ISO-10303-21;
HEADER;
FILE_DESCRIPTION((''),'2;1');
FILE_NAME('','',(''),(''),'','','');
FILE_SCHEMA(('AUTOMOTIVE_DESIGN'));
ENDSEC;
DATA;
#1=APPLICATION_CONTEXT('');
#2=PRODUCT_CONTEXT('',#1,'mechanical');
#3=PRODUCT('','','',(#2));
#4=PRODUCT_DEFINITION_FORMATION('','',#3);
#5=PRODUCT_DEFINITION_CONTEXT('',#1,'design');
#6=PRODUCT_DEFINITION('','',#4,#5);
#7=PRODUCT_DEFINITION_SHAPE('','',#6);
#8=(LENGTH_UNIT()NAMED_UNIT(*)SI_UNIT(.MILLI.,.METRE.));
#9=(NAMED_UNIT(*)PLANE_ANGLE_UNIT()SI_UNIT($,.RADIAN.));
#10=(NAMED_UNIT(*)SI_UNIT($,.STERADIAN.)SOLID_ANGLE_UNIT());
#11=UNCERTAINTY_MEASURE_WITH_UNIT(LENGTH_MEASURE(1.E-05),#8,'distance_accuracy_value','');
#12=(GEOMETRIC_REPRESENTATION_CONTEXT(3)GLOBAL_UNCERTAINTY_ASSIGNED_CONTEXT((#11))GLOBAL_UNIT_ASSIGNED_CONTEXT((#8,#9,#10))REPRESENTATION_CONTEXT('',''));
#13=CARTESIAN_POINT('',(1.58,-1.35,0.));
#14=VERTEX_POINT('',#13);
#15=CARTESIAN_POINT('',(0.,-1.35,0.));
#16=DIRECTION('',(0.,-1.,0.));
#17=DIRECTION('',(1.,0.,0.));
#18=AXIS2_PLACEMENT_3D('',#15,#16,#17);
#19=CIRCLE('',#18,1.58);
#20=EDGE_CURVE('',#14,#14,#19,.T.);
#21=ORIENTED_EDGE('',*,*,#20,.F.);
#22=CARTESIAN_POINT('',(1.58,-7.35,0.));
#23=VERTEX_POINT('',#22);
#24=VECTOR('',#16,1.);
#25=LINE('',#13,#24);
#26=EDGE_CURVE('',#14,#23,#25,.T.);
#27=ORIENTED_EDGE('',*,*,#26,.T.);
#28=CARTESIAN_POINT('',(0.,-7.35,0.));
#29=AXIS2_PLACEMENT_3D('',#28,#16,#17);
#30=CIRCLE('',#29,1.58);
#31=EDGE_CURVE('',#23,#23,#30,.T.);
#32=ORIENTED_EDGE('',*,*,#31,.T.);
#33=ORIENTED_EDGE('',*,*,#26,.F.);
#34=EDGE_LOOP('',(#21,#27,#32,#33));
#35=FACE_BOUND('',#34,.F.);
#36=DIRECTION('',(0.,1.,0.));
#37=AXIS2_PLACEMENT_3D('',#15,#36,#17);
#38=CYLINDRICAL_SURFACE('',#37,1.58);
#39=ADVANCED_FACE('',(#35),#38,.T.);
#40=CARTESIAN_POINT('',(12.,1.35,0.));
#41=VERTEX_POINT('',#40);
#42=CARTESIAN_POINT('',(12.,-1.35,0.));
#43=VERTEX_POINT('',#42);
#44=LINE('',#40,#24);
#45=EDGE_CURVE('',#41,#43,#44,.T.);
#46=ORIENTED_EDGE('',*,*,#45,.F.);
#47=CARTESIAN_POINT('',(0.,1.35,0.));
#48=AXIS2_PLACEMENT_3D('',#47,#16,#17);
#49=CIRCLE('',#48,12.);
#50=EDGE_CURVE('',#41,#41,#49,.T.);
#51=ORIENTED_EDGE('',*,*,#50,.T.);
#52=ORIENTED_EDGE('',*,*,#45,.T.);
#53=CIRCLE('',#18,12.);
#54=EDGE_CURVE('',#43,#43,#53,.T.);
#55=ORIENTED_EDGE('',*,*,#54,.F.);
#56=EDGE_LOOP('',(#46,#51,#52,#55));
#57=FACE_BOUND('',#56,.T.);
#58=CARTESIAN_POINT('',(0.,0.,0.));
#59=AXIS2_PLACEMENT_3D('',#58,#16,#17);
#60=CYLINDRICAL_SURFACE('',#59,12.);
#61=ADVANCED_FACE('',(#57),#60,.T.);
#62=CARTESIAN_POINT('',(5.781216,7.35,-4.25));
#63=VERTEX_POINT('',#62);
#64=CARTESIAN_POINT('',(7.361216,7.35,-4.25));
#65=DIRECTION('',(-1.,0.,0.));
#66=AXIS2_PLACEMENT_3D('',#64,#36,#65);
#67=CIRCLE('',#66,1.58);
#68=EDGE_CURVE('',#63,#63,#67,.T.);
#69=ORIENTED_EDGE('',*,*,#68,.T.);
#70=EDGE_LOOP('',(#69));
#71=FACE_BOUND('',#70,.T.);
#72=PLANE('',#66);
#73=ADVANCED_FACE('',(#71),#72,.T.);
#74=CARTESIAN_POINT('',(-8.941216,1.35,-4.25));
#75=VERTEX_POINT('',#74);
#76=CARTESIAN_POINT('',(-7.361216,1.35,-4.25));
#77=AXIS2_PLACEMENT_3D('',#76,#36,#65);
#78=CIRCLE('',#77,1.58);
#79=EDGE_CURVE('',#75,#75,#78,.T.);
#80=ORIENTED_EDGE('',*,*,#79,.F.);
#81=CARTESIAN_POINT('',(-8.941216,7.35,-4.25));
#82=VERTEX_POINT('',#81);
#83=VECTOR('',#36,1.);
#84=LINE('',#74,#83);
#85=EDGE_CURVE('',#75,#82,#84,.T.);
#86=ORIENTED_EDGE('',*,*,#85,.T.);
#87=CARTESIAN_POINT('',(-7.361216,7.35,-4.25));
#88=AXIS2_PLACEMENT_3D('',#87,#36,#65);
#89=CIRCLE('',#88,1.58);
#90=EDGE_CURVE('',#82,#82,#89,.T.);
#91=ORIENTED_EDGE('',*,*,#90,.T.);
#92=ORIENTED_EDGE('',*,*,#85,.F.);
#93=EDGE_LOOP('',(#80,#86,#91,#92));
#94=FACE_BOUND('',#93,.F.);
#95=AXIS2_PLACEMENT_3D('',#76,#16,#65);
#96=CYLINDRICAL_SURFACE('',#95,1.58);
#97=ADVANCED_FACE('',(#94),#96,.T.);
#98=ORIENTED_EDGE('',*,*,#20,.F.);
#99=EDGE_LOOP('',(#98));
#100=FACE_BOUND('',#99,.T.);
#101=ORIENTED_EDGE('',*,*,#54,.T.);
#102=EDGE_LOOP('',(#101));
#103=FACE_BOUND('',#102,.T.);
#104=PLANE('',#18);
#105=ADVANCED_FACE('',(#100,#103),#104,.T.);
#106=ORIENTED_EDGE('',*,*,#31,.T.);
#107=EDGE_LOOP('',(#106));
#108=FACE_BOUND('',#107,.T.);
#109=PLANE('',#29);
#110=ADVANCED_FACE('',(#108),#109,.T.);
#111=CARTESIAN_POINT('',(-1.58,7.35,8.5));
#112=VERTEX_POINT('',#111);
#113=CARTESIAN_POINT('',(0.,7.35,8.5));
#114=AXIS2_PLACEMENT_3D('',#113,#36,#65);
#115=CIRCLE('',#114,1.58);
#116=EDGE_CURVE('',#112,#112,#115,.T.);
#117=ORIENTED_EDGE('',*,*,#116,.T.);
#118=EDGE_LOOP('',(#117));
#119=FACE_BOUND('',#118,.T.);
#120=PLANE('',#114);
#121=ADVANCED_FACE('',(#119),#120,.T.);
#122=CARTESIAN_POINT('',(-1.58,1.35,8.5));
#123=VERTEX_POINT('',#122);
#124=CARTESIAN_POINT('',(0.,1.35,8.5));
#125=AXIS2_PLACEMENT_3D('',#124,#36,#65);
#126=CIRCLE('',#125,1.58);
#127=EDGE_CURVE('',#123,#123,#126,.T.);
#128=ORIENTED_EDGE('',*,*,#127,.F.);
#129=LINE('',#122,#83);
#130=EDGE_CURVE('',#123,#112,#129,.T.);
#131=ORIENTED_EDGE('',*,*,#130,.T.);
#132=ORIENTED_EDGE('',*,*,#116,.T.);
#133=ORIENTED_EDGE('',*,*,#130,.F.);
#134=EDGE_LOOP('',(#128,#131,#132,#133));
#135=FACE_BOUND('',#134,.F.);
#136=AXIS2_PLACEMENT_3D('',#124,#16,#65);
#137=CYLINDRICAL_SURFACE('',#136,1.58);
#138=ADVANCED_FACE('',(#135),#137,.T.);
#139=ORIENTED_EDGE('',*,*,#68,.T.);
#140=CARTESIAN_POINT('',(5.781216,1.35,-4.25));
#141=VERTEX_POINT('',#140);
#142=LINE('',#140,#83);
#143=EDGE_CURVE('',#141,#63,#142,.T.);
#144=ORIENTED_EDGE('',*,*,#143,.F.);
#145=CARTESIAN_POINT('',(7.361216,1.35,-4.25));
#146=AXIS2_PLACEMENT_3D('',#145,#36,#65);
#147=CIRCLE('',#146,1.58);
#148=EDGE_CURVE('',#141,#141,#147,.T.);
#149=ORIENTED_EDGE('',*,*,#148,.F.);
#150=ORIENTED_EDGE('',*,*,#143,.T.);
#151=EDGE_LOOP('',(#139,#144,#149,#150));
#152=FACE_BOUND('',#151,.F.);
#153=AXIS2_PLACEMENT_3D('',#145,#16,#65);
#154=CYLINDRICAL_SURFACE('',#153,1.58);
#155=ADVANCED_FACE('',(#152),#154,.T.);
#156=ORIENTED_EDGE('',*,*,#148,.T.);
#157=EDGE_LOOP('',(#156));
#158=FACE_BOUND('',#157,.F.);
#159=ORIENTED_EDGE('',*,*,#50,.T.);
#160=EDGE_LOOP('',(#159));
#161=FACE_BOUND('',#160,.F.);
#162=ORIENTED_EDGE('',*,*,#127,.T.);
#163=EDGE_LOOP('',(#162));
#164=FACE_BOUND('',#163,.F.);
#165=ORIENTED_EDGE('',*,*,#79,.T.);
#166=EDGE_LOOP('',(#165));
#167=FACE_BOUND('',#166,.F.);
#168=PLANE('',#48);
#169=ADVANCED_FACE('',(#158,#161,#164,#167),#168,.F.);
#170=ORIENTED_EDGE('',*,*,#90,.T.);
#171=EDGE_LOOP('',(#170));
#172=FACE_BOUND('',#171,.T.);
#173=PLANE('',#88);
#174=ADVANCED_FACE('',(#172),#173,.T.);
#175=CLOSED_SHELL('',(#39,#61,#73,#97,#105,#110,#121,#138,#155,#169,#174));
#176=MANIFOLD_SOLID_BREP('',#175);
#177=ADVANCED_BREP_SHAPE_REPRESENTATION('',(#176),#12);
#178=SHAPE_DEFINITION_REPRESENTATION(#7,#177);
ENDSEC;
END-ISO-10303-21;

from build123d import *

# Parameters (mm, degrees)
F0_R     = 12
F1_DEPTH = 1.35
F2_R     = 1.58
F3_DEPTH = 6
F4_R     = 1.58
F5_DEPTH = 6


with BuildPart() as f1:
    # F0 (on Front) → F1 (new body, symmetric)
    with BuildSketch(Plane.XZ):
        Circle(F0_R)
    extrude(amount=F1_DEPTH, both=True)

    # F2 (on face) → F3 (join)
    with BuildSketch(Plane.XZ.offset(1.35)):
        Circle(F2_R)
    extrude(amount=F3_DEPTH)

    # F4 (on face) → F5 (join)
    with BuildSketch(Plane(origin=(0, 1.35, 0), x_dir=(-1, 0, 0), z_dir=(0, 1, 0))):
        with Locations((0, 8.5)):
            Circle(F4_R)
        with Locations((-7.3612159322, -4.25)):
            Circle(F4_R)
        with Locations((7.3612159322, -4.25)):
            Circle(F4_R)
    extrude(amount=F5_DEPTH)


solid = f1.part
